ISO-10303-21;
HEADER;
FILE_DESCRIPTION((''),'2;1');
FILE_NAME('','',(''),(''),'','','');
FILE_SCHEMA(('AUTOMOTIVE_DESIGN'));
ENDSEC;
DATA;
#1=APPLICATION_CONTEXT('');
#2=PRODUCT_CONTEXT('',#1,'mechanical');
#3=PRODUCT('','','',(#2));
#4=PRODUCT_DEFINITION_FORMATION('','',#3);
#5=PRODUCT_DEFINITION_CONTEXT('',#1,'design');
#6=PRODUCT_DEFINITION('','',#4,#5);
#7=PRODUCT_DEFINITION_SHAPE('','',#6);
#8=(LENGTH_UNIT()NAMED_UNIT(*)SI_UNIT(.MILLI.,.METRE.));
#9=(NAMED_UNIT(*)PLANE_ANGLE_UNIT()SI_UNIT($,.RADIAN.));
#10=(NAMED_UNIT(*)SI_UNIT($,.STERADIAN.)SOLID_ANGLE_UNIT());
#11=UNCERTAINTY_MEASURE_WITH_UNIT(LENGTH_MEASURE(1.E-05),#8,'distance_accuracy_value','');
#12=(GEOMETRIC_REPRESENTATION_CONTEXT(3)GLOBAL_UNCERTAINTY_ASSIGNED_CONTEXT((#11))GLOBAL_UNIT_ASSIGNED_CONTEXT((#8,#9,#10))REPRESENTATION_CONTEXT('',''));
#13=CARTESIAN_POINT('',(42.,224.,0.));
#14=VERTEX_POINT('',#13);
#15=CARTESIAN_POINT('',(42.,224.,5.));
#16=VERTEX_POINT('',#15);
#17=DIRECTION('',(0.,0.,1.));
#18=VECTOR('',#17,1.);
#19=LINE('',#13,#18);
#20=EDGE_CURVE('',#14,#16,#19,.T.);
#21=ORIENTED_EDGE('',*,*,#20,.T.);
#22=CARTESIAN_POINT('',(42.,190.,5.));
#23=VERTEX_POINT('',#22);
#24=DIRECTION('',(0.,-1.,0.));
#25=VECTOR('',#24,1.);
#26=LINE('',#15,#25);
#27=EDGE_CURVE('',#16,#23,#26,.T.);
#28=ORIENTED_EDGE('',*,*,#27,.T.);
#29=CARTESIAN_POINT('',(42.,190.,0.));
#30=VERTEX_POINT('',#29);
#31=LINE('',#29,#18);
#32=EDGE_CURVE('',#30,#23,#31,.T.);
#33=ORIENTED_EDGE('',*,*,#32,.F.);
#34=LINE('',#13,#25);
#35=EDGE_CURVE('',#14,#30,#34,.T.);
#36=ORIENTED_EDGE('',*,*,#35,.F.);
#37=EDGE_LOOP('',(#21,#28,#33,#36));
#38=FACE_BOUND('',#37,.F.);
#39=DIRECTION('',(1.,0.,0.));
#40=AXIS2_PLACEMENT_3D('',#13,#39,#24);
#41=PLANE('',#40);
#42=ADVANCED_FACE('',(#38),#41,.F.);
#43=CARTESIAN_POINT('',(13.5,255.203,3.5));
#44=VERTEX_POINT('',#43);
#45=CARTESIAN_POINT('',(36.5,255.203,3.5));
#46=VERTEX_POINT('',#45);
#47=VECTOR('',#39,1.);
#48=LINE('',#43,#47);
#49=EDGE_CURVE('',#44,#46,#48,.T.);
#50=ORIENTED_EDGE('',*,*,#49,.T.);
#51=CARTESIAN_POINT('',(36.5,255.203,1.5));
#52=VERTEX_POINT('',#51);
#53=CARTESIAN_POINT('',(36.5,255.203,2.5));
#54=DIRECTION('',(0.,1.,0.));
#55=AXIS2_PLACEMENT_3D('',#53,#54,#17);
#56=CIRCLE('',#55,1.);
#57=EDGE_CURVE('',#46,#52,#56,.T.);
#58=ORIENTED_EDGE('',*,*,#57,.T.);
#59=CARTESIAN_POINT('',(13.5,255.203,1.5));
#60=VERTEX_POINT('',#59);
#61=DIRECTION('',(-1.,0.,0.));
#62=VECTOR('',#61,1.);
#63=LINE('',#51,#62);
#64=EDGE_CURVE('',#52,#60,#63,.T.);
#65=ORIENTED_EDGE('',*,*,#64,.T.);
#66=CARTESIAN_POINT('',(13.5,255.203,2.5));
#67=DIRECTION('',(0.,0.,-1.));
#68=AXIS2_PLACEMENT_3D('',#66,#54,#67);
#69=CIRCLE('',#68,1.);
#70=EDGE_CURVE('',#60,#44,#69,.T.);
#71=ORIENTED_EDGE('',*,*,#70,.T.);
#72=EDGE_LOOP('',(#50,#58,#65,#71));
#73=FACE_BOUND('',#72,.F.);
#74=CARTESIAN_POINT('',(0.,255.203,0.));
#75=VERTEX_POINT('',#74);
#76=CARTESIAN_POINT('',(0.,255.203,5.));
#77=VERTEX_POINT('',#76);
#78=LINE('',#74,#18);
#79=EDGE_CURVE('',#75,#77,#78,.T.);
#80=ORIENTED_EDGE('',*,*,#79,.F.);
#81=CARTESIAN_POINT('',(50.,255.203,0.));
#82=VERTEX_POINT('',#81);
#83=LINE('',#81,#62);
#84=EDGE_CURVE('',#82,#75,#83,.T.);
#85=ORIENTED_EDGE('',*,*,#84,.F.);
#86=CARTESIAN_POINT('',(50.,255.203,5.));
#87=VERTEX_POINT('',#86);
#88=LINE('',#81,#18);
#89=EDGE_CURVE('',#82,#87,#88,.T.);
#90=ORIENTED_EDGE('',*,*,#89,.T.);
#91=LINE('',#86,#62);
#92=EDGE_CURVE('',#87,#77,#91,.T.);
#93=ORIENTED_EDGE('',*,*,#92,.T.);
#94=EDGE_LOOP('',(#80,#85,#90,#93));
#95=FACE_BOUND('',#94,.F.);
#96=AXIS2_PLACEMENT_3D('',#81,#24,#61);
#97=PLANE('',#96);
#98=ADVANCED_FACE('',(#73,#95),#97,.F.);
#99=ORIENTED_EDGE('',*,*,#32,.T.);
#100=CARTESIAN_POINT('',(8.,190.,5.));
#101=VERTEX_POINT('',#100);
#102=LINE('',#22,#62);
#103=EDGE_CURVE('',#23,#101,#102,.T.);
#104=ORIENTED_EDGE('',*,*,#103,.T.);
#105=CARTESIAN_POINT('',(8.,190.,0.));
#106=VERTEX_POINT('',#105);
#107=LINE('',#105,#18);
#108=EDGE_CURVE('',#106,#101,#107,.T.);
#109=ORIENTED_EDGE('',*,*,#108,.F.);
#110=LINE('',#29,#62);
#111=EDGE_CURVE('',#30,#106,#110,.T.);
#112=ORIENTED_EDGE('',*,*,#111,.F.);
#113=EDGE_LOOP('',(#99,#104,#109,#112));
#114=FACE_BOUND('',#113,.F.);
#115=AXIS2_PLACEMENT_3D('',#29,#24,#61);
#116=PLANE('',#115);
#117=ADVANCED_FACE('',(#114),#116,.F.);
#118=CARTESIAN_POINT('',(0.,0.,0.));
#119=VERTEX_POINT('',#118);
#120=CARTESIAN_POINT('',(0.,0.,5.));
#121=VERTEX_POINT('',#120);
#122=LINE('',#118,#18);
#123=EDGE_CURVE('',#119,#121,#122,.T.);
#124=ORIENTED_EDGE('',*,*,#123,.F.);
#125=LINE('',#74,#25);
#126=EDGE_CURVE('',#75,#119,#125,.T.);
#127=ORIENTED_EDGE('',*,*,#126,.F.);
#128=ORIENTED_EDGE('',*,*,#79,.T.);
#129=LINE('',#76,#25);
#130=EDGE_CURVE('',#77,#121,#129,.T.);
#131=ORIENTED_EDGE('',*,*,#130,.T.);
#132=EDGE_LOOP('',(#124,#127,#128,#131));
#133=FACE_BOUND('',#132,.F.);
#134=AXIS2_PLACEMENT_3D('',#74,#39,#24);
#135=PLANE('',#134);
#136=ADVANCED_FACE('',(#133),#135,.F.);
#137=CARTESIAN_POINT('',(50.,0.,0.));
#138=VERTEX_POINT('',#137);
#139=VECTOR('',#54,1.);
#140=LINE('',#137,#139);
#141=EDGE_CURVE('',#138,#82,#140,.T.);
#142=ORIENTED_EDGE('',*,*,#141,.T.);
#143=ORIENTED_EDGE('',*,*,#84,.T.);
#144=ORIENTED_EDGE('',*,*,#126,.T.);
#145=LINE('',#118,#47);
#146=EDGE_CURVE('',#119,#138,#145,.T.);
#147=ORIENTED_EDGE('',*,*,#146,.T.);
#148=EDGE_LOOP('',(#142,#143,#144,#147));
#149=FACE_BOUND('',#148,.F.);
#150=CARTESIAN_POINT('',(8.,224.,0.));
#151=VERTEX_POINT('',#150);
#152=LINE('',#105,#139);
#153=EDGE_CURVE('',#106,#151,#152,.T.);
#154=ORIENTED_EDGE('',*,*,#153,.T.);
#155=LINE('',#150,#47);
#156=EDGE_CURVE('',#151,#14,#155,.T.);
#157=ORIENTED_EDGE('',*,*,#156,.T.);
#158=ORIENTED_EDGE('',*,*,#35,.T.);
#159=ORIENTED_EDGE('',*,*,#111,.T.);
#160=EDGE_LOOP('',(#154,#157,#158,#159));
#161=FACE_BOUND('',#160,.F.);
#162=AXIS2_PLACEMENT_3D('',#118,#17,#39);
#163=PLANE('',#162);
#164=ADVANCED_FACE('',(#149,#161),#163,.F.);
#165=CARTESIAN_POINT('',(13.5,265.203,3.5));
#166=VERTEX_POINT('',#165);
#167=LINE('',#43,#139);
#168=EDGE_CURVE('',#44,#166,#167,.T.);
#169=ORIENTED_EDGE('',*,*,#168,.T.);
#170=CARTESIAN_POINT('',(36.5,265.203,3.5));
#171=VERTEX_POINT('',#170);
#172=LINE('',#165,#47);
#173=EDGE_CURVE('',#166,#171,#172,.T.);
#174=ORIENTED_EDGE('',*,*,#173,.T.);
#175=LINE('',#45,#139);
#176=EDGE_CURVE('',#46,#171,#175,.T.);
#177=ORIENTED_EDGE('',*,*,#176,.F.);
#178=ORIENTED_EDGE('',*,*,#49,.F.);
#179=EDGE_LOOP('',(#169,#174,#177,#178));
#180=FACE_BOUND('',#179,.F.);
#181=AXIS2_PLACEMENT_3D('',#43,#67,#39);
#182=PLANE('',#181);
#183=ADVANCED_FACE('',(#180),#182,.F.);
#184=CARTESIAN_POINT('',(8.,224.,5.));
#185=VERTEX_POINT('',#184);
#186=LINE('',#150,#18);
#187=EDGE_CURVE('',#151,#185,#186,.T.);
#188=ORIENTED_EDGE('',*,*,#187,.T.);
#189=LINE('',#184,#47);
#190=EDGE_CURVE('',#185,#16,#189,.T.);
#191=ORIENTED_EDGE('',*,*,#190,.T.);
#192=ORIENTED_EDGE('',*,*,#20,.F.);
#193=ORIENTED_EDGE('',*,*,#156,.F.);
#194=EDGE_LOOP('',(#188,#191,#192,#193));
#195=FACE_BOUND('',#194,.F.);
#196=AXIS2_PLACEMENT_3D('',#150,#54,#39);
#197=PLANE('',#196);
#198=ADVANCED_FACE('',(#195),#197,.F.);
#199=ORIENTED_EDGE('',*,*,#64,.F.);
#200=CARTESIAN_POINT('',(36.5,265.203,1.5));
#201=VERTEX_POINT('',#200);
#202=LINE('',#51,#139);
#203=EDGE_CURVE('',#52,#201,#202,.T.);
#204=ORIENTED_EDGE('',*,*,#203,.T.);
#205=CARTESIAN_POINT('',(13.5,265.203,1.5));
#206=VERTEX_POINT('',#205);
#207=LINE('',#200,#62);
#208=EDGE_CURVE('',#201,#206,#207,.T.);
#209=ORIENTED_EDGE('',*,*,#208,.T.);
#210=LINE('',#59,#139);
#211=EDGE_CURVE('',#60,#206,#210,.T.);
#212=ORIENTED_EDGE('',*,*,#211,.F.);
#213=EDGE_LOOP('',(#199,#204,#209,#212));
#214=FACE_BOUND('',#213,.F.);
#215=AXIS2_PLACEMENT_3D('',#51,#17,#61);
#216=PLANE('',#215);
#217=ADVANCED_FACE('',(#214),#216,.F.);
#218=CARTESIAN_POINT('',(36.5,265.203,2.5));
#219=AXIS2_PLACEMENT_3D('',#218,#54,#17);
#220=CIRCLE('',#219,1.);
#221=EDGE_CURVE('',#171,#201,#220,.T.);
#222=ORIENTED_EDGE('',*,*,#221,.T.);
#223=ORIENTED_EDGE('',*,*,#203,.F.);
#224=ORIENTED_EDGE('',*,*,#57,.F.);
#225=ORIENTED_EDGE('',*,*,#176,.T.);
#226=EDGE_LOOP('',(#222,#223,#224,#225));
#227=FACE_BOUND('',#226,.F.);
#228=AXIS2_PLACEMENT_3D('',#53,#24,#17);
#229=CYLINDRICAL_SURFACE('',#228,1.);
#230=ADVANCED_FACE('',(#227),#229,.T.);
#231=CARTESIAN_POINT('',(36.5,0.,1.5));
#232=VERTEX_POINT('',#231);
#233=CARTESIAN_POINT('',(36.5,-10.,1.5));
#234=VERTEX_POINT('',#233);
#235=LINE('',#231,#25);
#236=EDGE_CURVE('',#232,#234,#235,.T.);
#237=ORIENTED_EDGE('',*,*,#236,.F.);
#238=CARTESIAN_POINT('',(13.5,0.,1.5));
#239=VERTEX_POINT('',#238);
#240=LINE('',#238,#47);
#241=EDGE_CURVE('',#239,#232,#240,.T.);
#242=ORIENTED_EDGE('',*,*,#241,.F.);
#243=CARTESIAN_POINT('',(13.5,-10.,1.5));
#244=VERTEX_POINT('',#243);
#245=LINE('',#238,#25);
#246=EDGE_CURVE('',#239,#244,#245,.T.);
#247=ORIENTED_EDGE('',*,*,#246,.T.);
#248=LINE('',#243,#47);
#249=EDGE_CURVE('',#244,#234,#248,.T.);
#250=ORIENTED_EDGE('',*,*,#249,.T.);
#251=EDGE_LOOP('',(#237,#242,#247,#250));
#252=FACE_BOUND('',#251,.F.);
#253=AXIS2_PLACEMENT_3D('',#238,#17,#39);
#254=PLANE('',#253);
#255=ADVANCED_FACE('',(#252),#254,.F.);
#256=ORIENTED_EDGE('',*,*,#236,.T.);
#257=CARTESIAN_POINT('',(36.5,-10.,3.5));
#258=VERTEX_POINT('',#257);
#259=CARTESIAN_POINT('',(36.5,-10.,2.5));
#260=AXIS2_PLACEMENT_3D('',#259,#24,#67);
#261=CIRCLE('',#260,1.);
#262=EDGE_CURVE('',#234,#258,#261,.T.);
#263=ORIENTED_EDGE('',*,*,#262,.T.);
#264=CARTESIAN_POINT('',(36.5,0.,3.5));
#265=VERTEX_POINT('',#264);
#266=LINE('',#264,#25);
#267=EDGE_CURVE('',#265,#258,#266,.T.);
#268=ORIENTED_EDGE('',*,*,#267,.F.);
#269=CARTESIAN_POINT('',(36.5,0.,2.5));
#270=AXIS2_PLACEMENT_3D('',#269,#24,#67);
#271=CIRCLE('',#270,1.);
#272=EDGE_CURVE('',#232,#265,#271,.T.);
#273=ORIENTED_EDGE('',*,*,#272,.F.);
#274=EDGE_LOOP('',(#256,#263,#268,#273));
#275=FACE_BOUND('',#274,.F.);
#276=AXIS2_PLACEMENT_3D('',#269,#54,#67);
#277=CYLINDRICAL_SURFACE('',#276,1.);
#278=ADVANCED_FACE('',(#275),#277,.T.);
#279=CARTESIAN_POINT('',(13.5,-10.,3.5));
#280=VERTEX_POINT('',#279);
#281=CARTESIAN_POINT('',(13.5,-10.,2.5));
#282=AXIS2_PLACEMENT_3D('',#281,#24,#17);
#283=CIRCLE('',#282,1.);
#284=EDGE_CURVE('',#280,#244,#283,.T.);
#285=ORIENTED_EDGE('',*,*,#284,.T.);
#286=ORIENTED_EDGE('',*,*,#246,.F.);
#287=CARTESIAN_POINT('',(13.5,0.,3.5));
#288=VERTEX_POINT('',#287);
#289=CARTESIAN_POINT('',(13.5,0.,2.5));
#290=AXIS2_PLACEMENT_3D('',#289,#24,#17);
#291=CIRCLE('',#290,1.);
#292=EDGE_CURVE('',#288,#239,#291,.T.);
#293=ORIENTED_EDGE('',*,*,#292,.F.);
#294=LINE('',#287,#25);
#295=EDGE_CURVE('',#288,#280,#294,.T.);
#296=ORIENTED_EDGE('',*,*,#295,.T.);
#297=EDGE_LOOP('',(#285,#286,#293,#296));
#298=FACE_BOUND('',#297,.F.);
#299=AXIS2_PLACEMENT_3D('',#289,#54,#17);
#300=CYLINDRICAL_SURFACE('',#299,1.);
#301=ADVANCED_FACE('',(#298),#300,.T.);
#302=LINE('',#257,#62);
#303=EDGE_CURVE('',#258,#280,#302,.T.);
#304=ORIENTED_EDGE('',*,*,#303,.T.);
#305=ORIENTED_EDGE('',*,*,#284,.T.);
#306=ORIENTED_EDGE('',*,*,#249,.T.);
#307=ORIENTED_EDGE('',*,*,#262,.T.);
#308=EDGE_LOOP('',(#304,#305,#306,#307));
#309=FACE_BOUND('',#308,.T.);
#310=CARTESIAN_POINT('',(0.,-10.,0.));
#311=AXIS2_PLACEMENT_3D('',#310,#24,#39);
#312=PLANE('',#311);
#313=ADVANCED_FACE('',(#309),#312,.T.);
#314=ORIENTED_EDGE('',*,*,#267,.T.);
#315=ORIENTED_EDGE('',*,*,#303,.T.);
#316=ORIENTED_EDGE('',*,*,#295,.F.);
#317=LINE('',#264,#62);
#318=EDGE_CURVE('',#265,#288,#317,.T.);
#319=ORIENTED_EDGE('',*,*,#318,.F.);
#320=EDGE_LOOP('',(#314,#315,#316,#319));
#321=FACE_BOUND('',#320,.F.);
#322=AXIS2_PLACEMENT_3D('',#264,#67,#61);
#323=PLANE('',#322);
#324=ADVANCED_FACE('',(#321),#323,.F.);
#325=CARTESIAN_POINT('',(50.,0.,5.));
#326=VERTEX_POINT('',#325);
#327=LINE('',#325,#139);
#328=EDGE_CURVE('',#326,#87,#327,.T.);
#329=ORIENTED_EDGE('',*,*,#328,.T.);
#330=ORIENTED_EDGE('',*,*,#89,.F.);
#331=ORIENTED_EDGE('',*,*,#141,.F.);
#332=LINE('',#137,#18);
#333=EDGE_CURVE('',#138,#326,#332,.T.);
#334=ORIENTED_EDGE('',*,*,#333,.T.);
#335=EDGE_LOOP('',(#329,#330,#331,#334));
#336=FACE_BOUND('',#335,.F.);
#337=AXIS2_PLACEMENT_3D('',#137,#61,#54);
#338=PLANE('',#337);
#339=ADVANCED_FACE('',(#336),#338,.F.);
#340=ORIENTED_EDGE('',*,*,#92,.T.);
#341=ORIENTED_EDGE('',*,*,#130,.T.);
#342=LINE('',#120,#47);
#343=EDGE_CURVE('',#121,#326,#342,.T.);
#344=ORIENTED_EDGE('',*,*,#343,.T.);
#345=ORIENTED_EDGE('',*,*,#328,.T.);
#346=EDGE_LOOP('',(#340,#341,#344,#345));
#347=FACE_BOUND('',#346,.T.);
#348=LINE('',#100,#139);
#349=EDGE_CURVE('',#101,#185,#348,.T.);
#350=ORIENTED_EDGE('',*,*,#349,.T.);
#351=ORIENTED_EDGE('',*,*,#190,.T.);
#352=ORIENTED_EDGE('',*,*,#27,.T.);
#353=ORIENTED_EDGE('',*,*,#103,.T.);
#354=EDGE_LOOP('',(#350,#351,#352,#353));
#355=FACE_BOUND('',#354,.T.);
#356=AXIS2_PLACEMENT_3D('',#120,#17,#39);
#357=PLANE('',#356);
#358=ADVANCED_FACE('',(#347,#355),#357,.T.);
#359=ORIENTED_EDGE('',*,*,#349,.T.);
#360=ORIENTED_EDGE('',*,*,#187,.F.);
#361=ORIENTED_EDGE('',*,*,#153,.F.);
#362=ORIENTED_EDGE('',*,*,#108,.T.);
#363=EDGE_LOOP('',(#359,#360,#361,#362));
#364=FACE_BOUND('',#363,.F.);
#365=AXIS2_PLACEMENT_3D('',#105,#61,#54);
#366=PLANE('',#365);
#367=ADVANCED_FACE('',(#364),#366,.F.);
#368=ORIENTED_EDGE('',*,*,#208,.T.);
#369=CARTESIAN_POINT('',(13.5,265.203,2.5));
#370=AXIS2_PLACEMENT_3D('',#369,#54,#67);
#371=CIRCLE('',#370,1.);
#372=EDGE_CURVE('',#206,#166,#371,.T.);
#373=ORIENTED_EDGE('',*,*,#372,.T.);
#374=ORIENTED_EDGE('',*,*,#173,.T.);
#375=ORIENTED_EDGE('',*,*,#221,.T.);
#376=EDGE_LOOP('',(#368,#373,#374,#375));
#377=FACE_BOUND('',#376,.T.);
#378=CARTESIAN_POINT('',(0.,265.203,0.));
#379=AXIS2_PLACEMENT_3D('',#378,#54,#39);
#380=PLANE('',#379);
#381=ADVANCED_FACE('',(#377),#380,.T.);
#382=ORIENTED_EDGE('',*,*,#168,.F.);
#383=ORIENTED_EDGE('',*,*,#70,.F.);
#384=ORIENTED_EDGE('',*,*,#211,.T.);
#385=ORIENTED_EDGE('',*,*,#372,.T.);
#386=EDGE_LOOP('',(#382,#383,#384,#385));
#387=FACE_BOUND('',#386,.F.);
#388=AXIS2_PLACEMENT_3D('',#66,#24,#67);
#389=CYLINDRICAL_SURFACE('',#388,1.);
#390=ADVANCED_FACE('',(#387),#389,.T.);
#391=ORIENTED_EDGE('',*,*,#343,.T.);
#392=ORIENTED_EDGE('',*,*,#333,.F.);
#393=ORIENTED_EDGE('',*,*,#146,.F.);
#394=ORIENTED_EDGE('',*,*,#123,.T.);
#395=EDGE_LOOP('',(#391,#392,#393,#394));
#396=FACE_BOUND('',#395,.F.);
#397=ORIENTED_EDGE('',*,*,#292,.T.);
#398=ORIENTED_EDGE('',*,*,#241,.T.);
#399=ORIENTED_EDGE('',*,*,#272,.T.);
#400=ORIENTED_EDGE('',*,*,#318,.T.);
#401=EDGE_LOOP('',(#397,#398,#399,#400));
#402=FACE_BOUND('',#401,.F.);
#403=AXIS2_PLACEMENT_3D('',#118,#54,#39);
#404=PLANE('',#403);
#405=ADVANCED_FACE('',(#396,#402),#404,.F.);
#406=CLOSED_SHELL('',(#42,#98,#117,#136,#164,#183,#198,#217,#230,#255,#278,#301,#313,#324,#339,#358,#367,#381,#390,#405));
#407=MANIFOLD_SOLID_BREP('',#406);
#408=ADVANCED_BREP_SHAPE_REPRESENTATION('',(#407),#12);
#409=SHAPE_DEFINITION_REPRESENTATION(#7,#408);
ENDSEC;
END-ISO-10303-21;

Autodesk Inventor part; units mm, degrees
ref_plane "YZ Plane" through (0, 0, 0) normal (1, 0, 0) x (0, 1, 0)
ref_plane "XZ Plane" through (0, 0, 0) normal (0, 1, 0) x (-1, 0, 0)
ref_plane "XY Plane" through (0, 0, 0) normal (0, 0, 1) x (1, 0, 0)
sketch "Sketch1" plane through (0, 0, 0) normal (0, 0, 1) x (1, 0, 0)
  line L0 (0, 0) -> (50, 0)
  line L1 (50, 0) -> (50, 255.203)
  line L2 (50, 255.203) -> (0, 255.203)
  line L3 (0, 255.203) -> (0, 0)
  line L4 (8, 224) -> (42, 224)
  line L5 (42, 224) -> (42, 190)
  line L6 (42, 190) -> (8, 190)
  line L7 (8, 190) -> (8, 224)
  point P0 (25, 255.203)
  dimension "d0" = 50
  dimension "d1" = 255.203
  dimension "d8" = 34
  dimension "d9" = 34
  dimension "d10" = 8
  dimension "d12" = 190
extrude "Extrusion1" add sketch "Sketch1" along normal blind 5
sketch "Sketch2" plane through (0, 0, 0) normal (0, -1, 0) x (1, 0, 0)
  line L0 (13.5, 2.5) -> (36.5, 2.5) construction
  line L1 (13.5, 1.5) -> (36.5, 1.5)
  line L2 (36.5, 3.5) -> (13.5, 3.5)
  arc A0 (13.5, 3.5) -> (13.5, 1.5) centre (13.5, 2.5) ccw
  arc A1 (36.5, 1.5) -> (36.5, 3.5) centre (36.5, 2.5) ccw
  line L3 (0, 5) -> (50, 5) projected
  point P0 (0, 0)
  point P1 (25, 2.5)
  point P2 (37.5, 2.5)
  point P3 (12.5, 2.5)
  dimension "d13" = 2
  dimension "d21" = 25
  dimension "d22" = 25
  dimension "d23" = 2.5
extrude "Extrusion2" add sketch "Sketch2" along normal blind 10
sketch "Sketch4" plane through (0, 255.203, 0) normal (0, 1, 0) x (1, 0, 0)
  line L0 (36.5, -2.5) -> (13.5, -2.5) construction
  line L1 (36.5, -1.5) -> (13.5, -1.5)
  line L2 (13.5, -3.5) -> (36.5, -3.5)
  arc A0 (36.5, -3.5) -> (36.5, -1.5) centre (36.5, -2.5) ccw
  arc A1 (13.5, -1.5) -> (13.5, -3.5) centre (13.5, -2.5) ccw
  point P0 (0, 0)
  point P1 (25, -2.5)
  point P2 (12.5, -2.5)
  point P3 (37.5, -2.5)
  dimension "d24" = 2
  dimension "d26" = 25
  dimension "d28" = 2.5
  dimension "d29" = 25
extrude "Extrusion3" add sketch "Sketch4" along normal blind 10
properties part number "partttt"
